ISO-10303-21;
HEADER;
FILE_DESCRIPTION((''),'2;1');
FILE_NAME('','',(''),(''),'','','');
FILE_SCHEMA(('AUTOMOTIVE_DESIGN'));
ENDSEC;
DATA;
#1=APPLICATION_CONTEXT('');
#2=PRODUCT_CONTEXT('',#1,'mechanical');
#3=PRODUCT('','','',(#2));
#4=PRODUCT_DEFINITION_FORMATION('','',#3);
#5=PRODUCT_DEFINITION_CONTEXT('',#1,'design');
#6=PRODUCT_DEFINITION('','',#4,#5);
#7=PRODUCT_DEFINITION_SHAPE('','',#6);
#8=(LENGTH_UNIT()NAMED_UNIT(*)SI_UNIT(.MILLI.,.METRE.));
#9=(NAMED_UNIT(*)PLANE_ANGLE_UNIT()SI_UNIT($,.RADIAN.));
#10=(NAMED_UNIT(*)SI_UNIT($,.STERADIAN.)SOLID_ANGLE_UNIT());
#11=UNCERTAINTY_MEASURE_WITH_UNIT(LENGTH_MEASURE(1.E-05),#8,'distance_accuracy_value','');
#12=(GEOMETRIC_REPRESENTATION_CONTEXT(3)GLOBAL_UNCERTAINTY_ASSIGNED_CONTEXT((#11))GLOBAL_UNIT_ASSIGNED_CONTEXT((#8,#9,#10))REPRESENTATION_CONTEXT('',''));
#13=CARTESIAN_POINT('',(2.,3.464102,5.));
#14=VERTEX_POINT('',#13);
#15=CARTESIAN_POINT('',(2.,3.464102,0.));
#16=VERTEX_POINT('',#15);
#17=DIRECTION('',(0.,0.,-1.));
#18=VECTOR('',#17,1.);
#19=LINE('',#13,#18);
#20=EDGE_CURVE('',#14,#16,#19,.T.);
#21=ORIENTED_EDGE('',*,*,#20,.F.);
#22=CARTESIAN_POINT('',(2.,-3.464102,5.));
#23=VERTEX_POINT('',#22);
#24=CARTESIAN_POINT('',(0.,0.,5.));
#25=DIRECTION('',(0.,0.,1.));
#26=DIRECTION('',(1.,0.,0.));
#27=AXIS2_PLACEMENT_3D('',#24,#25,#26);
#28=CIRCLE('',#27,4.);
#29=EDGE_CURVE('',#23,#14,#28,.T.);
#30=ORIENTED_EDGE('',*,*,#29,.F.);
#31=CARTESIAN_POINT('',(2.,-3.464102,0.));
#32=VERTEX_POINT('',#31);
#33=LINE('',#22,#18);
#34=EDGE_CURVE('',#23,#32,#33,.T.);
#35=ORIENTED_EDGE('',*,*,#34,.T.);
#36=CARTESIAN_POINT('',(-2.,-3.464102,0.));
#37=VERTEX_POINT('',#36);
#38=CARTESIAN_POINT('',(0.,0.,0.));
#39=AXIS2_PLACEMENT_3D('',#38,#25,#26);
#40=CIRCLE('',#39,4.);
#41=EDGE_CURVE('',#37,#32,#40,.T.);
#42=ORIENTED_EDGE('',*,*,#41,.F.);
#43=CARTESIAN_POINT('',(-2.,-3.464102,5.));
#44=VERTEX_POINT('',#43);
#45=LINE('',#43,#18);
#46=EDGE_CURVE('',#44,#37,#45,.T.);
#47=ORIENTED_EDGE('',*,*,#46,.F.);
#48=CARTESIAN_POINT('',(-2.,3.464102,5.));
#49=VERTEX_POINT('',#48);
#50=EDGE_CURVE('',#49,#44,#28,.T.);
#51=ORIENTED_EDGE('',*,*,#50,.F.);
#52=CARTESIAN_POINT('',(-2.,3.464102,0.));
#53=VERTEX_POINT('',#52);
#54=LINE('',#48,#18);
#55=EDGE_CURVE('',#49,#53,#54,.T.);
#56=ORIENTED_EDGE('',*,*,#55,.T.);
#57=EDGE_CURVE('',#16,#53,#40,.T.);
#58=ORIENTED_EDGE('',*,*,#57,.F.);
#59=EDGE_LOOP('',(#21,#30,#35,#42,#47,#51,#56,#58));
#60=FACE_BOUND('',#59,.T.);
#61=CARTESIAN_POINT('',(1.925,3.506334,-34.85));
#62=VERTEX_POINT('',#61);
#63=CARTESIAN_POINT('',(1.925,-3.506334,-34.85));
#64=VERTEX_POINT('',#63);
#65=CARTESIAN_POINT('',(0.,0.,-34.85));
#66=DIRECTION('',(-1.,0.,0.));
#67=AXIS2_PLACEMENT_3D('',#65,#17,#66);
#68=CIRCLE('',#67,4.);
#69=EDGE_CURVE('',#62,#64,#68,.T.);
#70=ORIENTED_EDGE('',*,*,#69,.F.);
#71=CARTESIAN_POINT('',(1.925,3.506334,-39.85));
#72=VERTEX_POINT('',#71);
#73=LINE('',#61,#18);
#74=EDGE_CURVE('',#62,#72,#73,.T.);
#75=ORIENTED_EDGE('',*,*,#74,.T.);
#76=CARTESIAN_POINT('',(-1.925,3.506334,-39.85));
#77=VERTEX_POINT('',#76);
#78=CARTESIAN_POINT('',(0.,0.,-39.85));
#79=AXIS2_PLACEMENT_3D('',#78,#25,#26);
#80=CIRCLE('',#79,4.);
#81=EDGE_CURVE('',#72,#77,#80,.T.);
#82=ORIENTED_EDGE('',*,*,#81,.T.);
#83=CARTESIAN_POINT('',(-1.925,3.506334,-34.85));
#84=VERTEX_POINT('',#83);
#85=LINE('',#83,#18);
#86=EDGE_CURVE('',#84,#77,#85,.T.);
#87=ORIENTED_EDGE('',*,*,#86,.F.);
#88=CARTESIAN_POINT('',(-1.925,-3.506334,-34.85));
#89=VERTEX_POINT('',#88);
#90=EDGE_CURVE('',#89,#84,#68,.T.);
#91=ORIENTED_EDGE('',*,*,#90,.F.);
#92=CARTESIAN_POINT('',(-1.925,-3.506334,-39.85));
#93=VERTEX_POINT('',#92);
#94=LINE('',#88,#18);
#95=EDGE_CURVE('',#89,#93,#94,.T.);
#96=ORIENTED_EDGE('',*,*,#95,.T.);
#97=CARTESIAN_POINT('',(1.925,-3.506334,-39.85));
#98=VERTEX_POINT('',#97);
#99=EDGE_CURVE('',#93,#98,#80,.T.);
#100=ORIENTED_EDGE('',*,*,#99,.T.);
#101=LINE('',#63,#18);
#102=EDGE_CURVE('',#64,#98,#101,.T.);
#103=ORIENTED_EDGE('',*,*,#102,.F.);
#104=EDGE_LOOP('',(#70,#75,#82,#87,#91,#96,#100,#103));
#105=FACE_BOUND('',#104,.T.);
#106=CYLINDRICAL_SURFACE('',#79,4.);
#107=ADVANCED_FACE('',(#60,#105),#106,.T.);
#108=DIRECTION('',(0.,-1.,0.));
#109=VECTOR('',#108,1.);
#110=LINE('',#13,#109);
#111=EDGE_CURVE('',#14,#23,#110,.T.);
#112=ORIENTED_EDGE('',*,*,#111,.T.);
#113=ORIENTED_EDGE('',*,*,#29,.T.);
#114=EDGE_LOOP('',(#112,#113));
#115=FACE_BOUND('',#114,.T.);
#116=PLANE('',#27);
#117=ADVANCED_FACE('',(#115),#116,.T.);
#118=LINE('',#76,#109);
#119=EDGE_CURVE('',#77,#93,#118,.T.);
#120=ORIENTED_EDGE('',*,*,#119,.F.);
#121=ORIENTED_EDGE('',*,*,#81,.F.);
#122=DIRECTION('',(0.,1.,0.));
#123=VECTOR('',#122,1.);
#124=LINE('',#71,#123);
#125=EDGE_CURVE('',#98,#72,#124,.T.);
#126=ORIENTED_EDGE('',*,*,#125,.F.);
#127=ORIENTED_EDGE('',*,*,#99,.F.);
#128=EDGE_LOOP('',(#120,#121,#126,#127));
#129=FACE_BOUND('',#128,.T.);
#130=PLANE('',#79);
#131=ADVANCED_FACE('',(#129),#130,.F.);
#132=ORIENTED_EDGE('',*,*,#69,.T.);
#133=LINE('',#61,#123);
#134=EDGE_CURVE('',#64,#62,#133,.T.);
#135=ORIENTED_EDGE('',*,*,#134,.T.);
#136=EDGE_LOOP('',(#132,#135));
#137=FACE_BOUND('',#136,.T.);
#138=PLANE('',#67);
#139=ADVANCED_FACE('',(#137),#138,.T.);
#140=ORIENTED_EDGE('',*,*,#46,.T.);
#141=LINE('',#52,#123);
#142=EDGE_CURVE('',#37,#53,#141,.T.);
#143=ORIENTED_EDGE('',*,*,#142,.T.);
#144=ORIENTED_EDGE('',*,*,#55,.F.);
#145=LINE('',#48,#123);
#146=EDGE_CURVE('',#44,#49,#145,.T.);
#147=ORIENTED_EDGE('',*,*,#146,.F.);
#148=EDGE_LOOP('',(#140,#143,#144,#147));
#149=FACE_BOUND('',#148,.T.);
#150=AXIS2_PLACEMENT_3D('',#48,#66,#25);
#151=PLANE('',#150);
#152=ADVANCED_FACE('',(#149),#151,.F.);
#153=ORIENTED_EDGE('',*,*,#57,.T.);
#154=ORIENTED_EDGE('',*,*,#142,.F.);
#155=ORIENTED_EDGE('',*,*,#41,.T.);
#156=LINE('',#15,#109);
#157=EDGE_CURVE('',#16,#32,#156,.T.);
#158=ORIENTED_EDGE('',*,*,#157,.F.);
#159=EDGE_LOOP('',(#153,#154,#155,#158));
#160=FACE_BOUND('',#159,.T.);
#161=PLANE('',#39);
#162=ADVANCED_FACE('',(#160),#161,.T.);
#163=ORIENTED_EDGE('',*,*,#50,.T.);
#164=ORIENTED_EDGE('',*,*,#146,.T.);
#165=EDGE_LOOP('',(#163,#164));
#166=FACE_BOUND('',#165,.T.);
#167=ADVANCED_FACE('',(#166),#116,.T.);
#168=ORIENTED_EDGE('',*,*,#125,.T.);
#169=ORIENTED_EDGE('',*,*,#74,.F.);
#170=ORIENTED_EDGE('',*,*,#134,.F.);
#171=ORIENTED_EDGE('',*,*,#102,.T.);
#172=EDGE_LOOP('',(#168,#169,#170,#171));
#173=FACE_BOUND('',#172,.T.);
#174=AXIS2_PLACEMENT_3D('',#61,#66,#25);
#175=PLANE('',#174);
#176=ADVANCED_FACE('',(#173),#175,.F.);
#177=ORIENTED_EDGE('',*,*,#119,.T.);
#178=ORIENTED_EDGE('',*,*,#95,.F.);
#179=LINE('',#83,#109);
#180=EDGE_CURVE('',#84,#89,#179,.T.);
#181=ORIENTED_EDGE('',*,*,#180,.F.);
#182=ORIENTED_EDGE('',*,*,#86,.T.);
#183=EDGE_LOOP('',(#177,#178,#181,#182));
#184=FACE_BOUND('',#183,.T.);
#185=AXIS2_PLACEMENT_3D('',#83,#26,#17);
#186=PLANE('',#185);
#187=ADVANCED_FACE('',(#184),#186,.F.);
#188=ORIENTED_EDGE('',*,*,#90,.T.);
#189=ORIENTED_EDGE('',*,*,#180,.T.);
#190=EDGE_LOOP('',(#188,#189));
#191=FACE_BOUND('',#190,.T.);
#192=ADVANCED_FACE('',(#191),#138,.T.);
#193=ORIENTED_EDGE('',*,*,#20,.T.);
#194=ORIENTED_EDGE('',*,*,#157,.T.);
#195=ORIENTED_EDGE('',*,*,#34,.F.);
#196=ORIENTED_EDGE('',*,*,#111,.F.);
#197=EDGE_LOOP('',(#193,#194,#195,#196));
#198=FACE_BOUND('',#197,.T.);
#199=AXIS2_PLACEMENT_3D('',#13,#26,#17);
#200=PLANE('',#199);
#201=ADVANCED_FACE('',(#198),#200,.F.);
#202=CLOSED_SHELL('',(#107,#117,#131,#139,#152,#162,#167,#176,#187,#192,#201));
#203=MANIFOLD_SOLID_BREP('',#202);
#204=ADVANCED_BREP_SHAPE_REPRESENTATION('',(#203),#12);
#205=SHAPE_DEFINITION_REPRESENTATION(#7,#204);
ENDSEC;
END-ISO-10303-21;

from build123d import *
from build123d.topology import SkipClean

# Parameters (mm, degrees)
SKETCH1_R           = 4
BOSS_EXTRUDE1_DEPTH = 39.85
BOSS_EXTRUDE2_START = 5
BOSS_EXTRUDE2_DEPTH = 5
CUT_EXTRUDE1_START  = -5
CUT_EXTRUDE1_DEPTH  = 5


with BuildPart() as part:
    # Sketch1 → Boss-Extrude1 (new body)
    with BuildSketch(Plane.XY):
        Circle(SKETCH1_R)
    extrude(amount=-BOSS_EXTRUDE1_DEPTH)

    # Sketch2 → Boss-Extrude2 (add)
    with SkipClean():  # the faces are left unmerged after this step: merging them gives an invalid solid
        with BuildSketch(Plane.XY.offset(BOSS_EXTRUDE2_START)):
            with BuildLine():
                Line((-2, 3.464101615), (-2, -3.464101615))
                ThreePointArc((-2, -3.464101615), (-4, 0), (-2, 3.464101615))
            make_face()
            with BuildLine():
                Line((2, 3.464101615), (2, -3.464101615))
                ThreePointArc((2, -3.464101615), (4, 0), (2, 3.464101615))
            make_face()
        extrude(amount=-BOSS_EXTRUDE2_DEPTH)

    # Sketch3 → Cut-Extrude1 (cut)
    with SkipClean():  # the faces are left unmerged after this step: merging them gives an invalid solid
        with BuildSketch(Plane(origin=(0, 0, -39.85), x_dir=(-1, 0, 0), z_dir=(0, 0, -1)).offset(CUT_EXTRUDE1_START)):
            with BuildLine():
                Line((-1.925, 3.506333555), (-1.925, -3.506333555))
                ThreePointArc((-1.925, -3.506333555), (-4, 0), (-1.925, 3.506333555))
            make_face()
            with BuildLine():
                Line((1.925, 3.506333555), (1.925, -3.506333555))
                ThreePointArc((1.925, -3.506333555), (4, 0), (1.925, 3.506333555))
            make_face()
        extrude(amount=CUT_EXTRUDE1_DEPTH, mode=Mode.SUBTRACT)


solid = part.part
